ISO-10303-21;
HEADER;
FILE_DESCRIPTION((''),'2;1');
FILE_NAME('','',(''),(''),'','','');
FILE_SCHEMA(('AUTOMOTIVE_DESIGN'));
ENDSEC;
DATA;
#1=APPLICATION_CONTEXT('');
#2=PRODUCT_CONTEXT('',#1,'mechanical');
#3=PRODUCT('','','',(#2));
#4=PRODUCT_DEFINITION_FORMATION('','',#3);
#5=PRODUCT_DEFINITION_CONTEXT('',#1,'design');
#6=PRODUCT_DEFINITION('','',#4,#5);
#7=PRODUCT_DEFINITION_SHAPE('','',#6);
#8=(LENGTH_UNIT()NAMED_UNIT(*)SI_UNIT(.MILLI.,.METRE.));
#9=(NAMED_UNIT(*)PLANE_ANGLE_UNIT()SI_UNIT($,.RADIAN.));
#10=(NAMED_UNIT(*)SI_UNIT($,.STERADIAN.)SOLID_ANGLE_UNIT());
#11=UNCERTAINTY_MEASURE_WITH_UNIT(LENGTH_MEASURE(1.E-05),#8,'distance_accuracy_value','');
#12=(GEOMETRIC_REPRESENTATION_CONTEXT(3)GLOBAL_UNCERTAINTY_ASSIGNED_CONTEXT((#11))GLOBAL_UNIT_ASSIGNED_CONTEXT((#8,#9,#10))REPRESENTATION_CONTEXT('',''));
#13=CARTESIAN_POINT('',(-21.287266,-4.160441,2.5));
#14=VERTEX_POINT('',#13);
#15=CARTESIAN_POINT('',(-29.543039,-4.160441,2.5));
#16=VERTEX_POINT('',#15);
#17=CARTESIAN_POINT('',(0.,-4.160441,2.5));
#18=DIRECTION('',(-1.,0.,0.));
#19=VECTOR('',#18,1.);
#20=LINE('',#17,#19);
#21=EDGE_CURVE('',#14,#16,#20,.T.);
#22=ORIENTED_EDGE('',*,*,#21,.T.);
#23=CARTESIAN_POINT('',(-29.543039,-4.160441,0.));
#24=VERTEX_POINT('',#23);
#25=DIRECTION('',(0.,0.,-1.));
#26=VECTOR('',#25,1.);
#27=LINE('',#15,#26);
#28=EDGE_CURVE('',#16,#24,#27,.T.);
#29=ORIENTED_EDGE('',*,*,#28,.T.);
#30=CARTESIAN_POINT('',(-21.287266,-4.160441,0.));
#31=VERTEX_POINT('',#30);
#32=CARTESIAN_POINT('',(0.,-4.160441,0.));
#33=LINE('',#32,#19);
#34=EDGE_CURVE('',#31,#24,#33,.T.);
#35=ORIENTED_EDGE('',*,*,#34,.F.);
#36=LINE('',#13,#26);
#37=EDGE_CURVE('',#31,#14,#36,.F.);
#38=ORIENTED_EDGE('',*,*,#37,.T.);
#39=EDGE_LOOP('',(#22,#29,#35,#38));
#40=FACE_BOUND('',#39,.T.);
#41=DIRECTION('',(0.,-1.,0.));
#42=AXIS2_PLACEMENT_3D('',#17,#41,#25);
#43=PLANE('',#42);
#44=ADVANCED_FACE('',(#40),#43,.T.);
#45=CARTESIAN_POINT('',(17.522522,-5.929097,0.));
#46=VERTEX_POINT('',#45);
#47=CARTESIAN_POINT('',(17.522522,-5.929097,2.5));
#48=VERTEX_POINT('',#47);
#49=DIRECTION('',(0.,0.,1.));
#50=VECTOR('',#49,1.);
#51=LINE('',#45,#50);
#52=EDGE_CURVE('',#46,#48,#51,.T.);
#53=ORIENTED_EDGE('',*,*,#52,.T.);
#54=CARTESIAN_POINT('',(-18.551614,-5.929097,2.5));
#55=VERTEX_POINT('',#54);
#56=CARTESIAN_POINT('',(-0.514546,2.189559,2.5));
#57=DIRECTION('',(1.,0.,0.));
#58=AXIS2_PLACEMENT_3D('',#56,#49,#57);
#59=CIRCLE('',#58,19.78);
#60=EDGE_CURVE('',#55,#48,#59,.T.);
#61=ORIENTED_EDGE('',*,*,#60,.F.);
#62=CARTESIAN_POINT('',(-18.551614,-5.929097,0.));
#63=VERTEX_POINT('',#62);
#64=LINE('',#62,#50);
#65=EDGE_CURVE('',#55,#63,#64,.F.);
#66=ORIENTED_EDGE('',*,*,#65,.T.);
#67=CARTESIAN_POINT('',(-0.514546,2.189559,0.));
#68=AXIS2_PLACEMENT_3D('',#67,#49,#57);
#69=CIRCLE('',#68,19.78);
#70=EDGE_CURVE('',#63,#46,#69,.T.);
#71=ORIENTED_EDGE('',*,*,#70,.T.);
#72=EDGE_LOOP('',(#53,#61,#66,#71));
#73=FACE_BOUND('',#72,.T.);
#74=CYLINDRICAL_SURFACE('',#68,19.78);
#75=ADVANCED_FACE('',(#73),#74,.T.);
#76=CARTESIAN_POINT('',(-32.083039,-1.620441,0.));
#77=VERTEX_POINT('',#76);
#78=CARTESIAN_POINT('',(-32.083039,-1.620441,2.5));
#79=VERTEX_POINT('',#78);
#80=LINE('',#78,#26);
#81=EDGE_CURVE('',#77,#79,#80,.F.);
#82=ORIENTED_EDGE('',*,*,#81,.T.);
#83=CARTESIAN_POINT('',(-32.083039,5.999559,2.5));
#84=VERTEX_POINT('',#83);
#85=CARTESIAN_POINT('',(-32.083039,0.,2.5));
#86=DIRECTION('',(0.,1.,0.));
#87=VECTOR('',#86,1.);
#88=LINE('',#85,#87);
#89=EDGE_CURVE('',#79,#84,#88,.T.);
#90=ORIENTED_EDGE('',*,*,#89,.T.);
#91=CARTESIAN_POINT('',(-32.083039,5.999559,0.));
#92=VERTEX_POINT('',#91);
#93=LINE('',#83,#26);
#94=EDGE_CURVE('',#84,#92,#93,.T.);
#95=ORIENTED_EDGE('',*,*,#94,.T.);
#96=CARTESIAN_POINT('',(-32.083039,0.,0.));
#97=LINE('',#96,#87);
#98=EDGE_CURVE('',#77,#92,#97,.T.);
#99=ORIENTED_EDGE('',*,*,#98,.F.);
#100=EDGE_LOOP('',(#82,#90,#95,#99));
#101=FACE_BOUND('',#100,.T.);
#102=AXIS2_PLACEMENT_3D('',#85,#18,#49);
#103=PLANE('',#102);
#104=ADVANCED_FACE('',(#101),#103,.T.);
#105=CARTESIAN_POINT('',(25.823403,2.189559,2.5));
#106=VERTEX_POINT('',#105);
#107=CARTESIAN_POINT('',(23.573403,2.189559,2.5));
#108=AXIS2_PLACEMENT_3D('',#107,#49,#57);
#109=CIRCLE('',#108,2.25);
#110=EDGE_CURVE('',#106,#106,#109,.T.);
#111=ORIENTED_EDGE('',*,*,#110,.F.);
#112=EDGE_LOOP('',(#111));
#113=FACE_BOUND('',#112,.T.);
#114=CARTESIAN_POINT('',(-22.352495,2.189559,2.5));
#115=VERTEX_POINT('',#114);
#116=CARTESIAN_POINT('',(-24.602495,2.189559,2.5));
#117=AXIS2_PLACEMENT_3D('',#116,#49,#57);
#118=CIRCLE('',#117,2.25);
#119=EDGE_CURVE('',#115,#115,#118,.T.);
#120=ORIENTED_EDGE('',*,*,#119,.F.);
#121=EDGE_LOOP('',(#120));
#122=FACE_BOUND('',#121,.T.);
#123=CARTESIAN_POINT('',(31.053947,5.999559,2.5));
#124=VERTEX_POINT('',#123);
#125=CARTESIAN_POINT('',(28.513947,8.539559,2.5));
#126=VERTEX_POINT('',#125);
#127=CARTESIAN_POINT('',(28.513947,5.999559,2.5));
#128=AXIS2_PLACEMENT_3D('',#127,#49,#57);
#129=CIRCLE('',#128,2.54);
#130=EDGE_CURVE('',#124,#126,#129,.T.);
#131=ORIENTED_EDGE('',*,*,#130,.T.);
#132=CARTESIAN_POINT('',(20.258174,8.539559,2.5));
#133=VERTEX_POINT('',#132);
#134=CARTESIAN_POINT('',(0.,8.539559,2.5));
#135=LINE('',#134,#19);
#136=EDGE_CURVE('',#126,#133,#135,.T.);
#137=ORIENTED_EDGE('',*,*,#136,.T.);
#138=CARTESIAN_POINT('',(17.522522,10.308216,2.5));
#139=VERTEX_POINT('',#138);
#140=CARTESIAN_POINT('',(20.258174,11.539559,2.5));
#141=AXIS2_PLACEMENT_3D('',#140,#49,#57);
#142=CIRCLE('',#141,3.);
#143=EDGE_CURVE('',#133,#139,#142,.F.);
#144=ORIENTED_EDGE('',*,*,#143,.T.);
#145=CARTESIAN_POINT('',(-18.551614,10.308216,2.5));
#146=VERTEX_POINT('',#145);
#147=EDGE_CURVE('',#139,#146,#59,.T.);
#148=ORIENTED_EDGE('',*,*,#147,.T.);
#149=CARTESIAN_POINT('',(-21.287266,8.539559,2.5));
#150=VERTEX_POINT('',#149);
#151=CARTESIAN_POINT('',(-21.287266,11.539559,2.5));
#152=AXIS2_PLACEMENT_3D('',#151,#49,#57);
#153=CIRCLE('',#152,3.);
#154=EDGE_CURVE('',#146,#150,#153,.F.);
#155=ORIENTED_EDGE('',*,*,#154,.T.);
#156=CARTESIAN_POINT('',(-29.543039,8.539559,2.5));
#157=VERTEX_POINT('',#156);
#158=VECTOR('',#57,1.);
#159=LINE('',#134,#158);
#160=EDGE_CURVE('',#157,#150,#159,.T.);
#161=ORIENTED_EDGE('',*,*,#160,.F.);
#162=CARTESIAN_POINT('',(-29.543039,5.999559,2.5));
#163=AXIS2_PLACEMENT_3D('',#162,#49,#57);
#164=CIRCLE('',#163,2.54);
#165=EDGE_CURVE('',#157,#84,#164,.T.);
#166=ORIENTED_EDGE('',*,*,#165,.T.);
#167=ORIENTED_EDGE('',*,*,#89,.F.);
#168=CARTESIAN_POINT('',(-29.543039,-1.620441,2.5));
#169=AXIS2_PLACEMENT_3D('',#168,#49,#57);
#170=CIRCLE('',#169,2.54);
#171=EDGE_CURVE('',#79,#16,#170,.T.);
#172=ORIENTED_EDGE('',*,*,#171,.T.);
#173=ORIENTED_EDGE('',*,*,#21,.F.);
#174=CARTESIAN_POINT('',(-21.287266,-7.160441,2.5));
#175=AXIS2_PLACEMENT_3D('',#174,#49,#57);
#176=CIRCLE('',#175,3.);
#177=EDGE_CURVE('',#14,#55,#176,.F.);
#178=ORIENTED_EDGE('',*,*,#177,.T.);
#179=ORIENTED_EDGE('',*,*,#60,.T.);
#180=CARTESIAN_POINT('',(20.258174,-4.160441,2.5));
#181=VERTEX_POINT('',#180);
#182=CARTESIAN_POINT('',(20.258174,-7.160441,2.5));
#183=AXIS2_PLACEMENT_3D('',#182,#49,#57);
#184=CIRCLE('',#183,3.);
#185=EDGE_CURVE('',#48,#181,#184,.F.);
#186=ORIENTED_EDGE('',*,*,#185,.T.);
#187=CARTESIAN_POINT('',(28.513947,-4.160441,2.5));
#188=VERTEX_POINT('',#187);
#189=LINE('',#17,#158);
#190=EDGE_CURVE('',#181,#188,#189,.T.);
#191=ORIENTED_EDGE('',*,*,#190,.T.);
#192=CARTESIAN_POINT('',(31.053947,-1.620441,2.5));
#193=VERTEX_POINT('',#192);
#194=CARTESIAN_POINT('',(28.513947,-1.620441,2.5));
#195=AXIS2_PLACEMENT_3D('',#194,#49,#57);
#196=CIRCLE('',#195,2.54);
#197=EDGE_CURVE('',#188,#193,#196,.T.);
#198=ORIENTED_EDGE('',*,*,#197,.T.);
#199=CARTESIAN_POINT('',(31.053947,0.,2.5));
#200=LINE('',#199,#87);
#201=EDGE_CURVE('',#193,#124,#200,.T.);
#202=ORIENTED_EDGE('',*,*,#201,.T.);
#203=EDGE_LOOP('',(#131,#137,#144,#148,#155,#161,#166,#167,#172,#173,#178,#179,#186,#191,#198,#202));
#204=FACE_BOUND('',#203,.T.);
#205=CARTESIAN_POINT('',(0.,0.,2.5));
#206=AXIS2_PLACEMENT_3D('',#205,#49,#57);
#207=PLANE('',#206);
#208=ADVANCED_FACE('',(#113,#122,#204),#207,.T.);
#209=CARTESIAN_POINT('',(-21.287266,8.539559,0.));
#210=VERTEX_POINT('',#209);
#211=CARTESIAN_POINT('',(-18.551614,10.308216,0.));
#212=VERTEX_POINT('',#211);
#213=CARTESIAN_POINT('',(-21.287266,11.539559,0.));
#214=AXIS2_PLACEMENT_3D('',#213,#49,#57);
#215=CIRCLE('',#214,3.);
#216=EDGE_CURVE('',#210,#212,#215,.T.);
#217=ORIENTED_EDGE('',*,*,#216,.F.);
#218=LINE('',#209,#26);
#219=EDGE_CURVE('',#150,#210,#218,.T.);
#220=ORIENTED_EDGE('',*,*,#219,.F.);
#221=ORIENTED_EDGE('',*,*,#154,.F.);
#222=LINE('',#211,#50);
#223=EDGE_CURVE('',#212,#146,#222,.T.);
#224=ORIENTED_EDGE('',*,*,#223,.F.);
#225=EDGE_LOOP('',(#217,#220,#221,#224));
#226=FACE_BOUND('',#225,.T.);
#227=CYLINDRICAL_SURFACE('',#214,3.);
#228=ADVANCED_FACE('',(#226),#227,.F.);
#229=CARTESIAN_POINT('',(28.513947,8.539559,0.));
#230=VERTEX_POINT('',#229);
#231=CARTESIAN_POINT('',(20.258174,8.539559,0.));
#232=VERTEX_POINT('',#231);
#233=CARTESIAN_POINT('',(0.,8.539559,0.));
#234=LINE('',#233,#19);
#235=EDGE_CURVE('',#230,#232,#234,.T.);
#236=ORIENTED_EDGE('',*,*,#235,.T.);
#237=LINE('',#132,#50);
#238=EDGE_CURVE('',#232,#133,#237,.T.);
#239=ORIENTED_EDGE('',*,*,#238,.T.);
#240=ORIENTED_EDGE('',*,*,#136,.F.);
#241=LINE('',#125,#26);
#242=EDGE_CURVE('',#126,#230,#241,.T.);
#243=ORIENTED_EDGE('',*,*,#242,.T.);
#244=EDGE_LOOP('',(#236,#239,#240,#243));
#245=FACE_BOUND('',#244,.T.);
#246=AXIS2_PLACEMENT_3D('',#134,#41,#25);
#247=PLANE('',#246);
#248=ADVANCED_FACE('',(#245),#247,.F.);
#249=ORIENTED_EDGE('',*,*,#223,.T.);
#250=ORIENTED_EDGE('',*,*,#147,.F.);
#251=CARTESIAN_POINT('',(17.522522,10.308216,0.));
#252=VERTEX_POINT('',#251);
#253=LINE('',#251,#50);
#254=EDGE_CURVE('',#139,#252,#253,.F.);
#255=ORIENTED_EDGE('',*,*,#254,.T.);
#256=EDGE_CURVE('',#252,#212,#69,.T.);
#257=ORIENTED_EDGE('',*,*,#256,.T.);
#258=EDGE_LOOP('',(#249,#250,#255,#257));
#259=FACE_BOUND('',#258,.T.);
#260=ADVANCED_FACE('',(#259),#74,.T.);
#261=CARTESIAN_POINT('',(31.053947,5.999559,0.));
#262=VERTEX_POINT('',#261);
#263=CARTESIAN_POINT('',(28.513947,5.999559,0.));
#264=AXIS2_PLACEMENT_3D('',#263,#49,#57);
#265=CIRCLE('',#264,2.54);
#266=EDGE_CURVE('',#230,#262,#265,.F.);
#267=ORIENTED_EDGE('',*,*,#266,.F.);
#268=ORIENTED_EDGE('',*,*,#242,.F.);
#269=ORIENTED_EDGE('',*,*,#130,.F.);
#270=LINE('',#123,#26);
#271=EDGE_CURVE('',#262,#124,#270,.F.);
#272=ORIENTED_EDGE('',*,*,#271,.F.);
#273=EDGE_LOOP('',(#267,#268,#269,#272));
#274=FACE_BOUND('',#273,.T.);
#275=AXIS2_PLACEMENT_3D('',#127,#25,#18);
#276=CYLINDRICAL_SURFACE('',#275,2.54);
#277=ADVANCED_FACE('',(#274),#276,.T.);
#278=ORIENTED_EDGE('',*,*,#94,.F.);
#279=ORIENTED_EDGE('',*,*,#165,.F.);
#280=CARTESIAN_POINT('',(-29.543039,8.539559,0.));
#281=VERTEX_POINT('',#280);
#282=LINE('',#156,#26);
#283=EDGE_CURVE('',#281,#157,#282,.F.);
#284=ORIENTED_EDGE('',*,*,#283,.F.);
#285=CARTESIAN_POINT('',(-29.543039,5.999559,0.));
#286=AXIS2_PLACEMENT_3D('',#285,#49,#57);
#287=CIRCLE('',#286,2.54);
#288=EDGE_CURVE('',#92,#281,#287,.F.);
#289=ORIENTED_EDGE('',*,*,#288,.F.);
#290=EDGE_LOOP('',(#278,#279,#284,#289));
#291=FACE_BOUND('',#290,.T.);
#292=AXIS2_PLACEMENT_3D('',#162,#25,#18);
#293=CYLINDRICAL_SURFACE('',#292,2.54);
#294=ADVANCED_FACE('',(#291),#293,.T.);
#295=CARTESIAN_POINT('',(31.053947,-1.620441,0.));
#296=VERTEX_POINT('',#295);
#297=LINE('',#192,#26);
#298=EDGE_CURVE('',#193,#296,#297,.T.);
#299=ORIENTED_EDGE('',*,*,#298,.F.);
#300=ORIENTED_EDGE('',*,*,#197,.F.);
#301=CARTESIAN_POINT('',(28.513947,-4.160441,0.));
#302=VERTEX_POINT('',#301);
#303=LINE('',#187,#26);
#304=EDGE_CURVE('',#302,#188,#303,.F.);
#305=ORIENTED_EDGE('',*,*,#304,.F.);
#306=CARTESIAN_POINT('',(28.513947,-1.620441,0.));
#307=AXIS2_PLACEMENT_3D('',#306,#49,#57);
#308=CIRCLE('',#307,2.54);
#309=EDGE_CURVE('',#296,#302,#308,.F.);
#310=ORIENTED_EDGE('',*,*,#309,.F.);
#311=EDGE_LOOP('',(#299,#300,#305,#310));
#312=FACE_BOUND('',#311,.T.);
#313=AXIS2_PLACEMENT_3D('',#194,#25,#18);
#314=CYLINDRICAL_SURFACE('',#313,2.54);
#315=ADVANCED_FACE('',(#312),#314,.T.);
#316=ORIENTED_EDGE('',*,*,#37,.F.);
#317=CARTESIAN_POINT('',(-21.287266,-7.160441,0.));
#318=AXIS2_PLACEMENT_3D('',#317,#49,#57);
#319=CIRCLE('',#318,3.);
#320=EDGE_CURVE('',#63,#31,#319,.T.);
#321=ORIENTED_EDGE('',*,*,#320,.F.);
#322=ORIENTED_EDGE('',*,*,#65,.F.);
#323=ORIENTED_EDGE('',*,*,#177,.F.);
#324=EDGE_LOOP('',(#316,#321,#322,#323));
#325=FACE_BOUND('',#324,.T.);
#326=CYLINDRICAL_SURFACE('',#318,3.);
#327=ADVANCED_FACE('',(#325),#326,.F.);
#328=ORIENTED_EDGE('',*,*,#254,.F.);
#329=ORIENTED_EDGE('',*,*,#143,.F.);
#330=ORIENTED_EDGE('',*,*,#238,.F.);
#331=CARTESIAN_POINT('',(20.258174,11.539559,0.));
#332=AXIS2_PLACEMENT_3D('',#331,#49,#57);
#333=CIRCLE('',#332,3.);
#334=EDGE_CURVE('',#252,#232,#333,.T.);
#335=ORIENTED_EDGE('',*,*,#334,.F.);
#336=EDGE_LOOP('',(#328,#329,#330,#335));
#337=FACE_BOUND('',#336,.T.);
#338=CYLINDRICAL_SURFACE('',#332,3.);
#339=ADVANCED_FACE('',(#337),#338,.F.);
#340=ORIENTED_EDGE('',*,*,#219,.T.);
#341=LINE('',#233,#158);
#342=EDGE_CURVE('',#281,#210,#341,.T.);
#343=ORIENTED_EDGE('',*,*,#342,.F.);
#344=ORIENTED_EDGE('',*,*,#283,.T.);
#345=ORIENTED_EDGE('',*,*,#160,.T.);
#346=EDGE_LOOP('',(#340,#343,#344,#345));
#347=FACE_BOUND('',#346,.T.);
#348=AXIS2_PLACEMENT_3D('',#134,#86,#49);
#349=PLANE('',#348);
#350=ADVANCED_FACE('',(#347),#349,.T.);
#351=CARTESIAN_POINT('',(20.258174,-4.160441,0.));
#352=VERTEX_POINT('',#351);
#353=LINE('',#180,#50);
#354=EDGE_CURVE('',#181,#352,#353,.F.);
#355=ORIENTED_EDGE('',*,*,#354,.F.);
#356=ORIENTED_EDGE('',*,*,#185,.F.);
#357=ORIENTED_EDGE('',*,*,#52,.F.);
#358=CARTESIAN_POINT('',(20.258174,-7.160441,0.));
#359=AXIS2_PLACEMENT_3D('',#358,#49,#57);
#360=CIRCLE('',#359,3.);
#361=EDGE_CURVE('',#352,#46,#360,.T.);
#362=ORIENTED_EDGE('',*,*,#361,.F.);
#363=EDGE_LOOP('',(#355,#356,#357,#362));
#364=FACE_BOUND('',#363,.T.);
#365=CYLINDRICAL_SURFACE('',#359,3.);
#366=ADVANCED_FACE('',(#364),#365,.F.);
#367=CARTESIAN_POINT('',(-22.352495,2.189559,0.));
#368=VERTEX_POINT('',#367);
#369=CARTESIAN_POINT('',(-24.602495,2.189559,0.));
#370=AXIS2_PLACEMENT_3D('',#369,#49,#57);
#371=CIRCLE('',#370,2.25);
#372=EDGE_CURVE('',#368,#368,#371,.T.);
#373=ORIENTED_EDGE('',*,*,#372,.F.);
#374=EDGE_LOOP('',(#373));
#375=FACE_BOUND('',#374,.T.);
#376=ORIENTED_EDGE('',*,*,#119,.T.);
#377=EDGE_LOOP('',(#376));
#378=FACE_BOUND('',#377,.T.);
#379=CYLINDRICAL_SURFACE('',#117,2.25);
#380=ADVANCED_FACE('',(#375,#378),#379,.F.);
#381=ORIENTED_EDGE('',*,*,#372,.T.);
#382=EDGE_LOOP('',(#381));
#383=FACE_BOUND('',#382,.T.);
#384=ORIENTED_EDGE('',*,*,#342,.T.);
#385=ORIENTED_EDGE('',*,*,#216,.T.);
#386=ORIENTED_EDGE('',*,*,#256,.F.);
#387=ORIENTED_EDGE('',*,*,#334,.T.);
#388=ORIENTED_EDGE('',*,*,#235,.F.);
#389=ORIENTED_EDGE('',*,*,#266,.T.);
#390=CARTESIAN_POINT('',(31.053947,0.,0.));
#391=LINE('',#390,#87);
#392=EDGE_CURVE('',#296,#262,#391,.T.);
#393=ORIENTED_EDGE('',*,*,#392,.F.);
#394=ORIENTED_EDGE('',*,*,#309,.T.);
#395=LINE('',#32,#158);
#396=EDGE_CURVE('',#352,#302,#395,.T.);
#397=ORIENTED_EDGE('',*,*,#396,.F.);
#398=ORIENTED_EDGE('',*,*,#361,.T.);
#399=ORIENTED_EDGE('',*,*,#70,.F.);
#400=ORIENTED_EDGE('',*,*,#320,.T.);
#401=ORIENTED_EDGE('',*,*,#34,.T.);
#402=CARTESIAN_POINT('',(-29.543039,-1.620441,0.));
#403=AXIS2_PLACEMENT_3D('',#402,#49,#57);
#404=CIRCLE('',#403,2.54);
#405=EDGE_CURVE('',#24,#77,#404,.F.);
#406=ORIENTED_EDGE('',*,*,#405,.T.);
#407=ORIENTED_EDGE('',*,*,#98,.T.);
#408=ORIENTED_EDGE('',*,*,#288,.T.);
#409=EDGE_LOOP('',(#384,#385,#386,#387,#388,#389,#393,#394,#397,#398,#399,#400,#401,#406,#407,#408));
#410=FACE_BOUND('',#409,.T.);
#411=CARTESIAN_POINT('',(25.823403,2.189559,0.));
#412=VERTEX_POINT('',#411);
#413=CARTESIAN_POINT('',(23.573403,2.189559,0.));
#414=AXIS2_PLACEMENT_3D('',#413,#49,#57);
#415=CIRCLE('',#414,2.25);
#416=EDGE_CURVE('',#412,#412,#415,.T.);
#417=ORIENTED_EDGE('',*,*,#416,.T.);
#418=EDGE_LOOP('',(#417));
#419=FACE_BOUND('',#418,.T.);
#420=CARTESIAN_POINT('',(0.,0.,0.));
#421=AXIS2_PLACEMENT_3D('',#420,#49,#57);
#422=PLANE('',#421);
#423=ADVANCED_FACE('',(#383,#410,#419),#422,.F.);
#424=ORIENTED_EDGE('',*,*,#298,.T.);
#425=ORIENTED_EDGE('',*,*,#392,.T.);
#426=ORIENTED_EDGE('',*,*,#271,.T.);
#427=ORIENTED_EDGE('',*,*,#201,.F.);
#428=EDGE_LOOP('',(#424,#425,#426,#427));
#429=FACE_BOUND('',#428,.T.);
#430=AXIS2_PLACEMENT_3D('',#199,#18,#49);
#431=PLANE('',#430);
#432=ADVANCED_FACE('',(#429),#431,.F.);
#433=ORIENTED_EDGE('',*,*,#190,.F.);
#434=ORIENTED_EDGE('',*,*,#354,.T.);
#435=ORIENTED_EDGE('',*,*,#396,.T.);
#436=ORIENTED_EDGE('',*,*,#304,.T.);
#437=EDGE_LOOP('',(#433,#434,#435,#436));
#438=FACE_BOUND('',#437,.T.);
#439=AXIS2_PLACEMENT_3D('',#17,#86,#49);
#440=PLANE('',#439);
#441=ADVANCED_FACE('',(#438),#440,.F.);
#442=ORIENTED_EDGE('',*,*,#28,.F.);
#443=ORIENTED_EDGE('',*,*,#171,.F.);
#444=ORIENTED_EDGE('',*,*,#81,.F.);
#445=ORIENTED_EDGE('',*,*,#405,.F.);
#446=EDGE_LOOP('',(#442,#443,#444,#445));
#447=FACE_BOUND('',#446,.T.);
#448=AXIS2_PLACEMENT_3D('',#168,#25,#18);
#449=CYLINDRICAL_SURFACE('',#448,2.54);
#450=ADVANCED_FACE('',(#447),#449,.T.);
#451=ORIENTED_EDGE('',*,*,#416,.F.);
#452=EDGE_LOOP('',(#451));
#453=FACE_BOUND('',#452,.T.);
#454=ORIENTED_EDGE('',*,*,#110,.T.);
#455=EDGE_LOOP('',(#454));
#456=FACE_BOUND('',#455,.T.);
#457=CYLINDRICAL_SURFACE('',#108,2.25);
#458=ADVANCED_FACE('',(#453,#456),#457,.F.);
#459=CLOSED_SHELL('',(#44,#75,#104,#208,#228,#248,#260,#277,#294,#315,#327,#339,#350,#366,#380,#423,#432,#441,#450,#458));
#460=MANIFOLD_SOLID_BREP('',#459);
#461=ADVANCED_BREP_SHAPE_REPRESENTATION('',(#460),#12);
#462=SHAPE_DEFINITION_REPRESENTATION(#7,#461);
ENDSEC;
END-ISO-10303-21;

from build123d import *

# Parameters (mm, degrees)
BOSS_EXTRUDE1_DEPTH   = 2.5
FILLET1_R             = 2.54
M4_CLEARANCE_HOLE1_D  = 4.5
BOSS_EXTRUDE2_DEPTH   = 2.5
BOSS_EXTRUDE2_2_DEPTH = 2.5
FILLET2_R             = 3


with BuildPart() as part:
    # Sketch1 → Boss-Extrude1 (new body)
    with BuildSketch(Plane(origin=(0, 0, 0), x_dir=(-1, 0, 0), z_dir=(0, 0, 1))):
        with BuildLine():
            ThreePointArc((17.121950758, 4.160440607), (0.514545783, 15.590440607), (-16.092859192, 4.160440607))
            Line((-16.092859192, 4.160440607), (-31.053947254, 4.160440607))
            Line((-31.053947254, 4.160440607), (-31.053947254, -8.539559393))
            Line((-31.053947254, -8.539559393), (-16.092859192, -8.539559393))
            ThreePointArc((-16.092859192, -8.539559393), (0.514545783, -19.969559393), (17.121950758, -8.539559393))
            Line((17.121950758, -8.539559393), (32.08303882, -8.539559393))
            Line((32.08303882, -8.539559393), (32.08303882, 4.160440607))
            Line((32.08303882, 4.160440607), (17.121950758, 4.160440607))
        make_face()
    extrude(amount=BOSS_EXTRUDE1_DEPTH)

    # Fillet1
    fillet1_edges = [part.edges().sort_by_distance(p)[0] for p in [
        (16.092859192, 8.539559393, 1.25),
        (-17.121950758, 8.539559393, 1.25),
        (-17.121950758, -4.160440607, 1.25),
        (16.092859192, -4.160440607, 1.25),
        (-32.08303882, -4.160440607, 1.25),
        (-32.08303882, 8.539559393, 1.25),
        (31.053947254, 8.539559393, 1.25),
        (31.053947254, -4.160440607, 1.25),
    ]]
    fillet(fillet1_edges, radius=FILLET1_R)

    # M4 Clearance Hole1 (through all)
    with Locations(Plane.XY.offset(2.5)):
        with Locations((-24.602494789, 2.189559393), (23.573403223, 2.189559393)):
            Hole(M4_CLEARANCE_HOLE1_D / 2)


with BuildPart() as body_2:
    # Sketch4 → Boss-Extrude2 (new body)
    with BuildSketch(Plane.XY.offset(2.5)):
        with BuildLine():
            Line((17.757572321, 8.539559393), (18.218470525, 8.539559393))
            ThreePointArc((18.218470525, 8.539559393), (-0.514545783, 21.969559393), (-19.247562091, 8.539559393))
            Line((-19.247562091, 8.539559393), (-18.786663887, 8.539559393))
            ThreePointArc((-18.786663887, 8.539559393), (-17.439625469, 8.926169624), (-16.502649124, 9.968309393))
            ThreePointArc((-16.502649124, 9.968309393), (-0.514545783, 19.969559393), (15.473557558, 9.968309393))
            ThreePointArc((15.473557558, 9.968309393), (16.410533903, 8.926169624), (17.757572321, 8.539559393))
        make_face()
    extrude(amount=-BOSS_EXTRUDE2_DEPTH)


with BuildPart() as body_3:
    # Sketch4 → Boss-Extrude2 2 (new body)
    with BuildSketch(Plane.XY.offset(2.5)):
        with BuildLine():
            ThreePointArc((-19.247562091, -4.160440607), (-0.514545783, -17.590440607), (18.218470525, -4.160440607))
            Line((18.218470525, -4.160440607), (17.757572321, -4.160440607))
            ThreePointArc((17.757572321, -4.160440607), (16.410533903, -4.547050837), (15.473557558, -5.589190607))
            ThreePointArc((15.473557558, -5.589190607), (-0.514545783, -15.590440607), (-16.502649124, -5.589190607))
            ThreePointArc((-16.502649124, -5.589190607), (-17.439625469, -4.547050837), (-18.786663887, -4.160440607))
            Line((-18.786663887, -4.160440607), (-19.247562091, -4.160440607))
        make_face()
    extrude(amount=-BOSS_EXTRUDE2_2_DEPTH)


with BuildPart() as part_1:
    add(part.part)

    # Combine1: union body 2, body 3
    add(body_2.part)
    add(body_3.part)

    # Fillet2
    fillet2_edges = [part_1.edges().sort_by_distance(p)[0] for p in [
        (18.218470525, -4.160440607, 1.25),
        (18.218470525, 8.539559393, 1.25),
        (-19.247562091, -4.160440607, 1.25),
        (-19.247562091, 8.539559393, 1.25),
    ]]
    fillet(fillet2_edges, radius=FILLET2_R)


solid = part_1.part
